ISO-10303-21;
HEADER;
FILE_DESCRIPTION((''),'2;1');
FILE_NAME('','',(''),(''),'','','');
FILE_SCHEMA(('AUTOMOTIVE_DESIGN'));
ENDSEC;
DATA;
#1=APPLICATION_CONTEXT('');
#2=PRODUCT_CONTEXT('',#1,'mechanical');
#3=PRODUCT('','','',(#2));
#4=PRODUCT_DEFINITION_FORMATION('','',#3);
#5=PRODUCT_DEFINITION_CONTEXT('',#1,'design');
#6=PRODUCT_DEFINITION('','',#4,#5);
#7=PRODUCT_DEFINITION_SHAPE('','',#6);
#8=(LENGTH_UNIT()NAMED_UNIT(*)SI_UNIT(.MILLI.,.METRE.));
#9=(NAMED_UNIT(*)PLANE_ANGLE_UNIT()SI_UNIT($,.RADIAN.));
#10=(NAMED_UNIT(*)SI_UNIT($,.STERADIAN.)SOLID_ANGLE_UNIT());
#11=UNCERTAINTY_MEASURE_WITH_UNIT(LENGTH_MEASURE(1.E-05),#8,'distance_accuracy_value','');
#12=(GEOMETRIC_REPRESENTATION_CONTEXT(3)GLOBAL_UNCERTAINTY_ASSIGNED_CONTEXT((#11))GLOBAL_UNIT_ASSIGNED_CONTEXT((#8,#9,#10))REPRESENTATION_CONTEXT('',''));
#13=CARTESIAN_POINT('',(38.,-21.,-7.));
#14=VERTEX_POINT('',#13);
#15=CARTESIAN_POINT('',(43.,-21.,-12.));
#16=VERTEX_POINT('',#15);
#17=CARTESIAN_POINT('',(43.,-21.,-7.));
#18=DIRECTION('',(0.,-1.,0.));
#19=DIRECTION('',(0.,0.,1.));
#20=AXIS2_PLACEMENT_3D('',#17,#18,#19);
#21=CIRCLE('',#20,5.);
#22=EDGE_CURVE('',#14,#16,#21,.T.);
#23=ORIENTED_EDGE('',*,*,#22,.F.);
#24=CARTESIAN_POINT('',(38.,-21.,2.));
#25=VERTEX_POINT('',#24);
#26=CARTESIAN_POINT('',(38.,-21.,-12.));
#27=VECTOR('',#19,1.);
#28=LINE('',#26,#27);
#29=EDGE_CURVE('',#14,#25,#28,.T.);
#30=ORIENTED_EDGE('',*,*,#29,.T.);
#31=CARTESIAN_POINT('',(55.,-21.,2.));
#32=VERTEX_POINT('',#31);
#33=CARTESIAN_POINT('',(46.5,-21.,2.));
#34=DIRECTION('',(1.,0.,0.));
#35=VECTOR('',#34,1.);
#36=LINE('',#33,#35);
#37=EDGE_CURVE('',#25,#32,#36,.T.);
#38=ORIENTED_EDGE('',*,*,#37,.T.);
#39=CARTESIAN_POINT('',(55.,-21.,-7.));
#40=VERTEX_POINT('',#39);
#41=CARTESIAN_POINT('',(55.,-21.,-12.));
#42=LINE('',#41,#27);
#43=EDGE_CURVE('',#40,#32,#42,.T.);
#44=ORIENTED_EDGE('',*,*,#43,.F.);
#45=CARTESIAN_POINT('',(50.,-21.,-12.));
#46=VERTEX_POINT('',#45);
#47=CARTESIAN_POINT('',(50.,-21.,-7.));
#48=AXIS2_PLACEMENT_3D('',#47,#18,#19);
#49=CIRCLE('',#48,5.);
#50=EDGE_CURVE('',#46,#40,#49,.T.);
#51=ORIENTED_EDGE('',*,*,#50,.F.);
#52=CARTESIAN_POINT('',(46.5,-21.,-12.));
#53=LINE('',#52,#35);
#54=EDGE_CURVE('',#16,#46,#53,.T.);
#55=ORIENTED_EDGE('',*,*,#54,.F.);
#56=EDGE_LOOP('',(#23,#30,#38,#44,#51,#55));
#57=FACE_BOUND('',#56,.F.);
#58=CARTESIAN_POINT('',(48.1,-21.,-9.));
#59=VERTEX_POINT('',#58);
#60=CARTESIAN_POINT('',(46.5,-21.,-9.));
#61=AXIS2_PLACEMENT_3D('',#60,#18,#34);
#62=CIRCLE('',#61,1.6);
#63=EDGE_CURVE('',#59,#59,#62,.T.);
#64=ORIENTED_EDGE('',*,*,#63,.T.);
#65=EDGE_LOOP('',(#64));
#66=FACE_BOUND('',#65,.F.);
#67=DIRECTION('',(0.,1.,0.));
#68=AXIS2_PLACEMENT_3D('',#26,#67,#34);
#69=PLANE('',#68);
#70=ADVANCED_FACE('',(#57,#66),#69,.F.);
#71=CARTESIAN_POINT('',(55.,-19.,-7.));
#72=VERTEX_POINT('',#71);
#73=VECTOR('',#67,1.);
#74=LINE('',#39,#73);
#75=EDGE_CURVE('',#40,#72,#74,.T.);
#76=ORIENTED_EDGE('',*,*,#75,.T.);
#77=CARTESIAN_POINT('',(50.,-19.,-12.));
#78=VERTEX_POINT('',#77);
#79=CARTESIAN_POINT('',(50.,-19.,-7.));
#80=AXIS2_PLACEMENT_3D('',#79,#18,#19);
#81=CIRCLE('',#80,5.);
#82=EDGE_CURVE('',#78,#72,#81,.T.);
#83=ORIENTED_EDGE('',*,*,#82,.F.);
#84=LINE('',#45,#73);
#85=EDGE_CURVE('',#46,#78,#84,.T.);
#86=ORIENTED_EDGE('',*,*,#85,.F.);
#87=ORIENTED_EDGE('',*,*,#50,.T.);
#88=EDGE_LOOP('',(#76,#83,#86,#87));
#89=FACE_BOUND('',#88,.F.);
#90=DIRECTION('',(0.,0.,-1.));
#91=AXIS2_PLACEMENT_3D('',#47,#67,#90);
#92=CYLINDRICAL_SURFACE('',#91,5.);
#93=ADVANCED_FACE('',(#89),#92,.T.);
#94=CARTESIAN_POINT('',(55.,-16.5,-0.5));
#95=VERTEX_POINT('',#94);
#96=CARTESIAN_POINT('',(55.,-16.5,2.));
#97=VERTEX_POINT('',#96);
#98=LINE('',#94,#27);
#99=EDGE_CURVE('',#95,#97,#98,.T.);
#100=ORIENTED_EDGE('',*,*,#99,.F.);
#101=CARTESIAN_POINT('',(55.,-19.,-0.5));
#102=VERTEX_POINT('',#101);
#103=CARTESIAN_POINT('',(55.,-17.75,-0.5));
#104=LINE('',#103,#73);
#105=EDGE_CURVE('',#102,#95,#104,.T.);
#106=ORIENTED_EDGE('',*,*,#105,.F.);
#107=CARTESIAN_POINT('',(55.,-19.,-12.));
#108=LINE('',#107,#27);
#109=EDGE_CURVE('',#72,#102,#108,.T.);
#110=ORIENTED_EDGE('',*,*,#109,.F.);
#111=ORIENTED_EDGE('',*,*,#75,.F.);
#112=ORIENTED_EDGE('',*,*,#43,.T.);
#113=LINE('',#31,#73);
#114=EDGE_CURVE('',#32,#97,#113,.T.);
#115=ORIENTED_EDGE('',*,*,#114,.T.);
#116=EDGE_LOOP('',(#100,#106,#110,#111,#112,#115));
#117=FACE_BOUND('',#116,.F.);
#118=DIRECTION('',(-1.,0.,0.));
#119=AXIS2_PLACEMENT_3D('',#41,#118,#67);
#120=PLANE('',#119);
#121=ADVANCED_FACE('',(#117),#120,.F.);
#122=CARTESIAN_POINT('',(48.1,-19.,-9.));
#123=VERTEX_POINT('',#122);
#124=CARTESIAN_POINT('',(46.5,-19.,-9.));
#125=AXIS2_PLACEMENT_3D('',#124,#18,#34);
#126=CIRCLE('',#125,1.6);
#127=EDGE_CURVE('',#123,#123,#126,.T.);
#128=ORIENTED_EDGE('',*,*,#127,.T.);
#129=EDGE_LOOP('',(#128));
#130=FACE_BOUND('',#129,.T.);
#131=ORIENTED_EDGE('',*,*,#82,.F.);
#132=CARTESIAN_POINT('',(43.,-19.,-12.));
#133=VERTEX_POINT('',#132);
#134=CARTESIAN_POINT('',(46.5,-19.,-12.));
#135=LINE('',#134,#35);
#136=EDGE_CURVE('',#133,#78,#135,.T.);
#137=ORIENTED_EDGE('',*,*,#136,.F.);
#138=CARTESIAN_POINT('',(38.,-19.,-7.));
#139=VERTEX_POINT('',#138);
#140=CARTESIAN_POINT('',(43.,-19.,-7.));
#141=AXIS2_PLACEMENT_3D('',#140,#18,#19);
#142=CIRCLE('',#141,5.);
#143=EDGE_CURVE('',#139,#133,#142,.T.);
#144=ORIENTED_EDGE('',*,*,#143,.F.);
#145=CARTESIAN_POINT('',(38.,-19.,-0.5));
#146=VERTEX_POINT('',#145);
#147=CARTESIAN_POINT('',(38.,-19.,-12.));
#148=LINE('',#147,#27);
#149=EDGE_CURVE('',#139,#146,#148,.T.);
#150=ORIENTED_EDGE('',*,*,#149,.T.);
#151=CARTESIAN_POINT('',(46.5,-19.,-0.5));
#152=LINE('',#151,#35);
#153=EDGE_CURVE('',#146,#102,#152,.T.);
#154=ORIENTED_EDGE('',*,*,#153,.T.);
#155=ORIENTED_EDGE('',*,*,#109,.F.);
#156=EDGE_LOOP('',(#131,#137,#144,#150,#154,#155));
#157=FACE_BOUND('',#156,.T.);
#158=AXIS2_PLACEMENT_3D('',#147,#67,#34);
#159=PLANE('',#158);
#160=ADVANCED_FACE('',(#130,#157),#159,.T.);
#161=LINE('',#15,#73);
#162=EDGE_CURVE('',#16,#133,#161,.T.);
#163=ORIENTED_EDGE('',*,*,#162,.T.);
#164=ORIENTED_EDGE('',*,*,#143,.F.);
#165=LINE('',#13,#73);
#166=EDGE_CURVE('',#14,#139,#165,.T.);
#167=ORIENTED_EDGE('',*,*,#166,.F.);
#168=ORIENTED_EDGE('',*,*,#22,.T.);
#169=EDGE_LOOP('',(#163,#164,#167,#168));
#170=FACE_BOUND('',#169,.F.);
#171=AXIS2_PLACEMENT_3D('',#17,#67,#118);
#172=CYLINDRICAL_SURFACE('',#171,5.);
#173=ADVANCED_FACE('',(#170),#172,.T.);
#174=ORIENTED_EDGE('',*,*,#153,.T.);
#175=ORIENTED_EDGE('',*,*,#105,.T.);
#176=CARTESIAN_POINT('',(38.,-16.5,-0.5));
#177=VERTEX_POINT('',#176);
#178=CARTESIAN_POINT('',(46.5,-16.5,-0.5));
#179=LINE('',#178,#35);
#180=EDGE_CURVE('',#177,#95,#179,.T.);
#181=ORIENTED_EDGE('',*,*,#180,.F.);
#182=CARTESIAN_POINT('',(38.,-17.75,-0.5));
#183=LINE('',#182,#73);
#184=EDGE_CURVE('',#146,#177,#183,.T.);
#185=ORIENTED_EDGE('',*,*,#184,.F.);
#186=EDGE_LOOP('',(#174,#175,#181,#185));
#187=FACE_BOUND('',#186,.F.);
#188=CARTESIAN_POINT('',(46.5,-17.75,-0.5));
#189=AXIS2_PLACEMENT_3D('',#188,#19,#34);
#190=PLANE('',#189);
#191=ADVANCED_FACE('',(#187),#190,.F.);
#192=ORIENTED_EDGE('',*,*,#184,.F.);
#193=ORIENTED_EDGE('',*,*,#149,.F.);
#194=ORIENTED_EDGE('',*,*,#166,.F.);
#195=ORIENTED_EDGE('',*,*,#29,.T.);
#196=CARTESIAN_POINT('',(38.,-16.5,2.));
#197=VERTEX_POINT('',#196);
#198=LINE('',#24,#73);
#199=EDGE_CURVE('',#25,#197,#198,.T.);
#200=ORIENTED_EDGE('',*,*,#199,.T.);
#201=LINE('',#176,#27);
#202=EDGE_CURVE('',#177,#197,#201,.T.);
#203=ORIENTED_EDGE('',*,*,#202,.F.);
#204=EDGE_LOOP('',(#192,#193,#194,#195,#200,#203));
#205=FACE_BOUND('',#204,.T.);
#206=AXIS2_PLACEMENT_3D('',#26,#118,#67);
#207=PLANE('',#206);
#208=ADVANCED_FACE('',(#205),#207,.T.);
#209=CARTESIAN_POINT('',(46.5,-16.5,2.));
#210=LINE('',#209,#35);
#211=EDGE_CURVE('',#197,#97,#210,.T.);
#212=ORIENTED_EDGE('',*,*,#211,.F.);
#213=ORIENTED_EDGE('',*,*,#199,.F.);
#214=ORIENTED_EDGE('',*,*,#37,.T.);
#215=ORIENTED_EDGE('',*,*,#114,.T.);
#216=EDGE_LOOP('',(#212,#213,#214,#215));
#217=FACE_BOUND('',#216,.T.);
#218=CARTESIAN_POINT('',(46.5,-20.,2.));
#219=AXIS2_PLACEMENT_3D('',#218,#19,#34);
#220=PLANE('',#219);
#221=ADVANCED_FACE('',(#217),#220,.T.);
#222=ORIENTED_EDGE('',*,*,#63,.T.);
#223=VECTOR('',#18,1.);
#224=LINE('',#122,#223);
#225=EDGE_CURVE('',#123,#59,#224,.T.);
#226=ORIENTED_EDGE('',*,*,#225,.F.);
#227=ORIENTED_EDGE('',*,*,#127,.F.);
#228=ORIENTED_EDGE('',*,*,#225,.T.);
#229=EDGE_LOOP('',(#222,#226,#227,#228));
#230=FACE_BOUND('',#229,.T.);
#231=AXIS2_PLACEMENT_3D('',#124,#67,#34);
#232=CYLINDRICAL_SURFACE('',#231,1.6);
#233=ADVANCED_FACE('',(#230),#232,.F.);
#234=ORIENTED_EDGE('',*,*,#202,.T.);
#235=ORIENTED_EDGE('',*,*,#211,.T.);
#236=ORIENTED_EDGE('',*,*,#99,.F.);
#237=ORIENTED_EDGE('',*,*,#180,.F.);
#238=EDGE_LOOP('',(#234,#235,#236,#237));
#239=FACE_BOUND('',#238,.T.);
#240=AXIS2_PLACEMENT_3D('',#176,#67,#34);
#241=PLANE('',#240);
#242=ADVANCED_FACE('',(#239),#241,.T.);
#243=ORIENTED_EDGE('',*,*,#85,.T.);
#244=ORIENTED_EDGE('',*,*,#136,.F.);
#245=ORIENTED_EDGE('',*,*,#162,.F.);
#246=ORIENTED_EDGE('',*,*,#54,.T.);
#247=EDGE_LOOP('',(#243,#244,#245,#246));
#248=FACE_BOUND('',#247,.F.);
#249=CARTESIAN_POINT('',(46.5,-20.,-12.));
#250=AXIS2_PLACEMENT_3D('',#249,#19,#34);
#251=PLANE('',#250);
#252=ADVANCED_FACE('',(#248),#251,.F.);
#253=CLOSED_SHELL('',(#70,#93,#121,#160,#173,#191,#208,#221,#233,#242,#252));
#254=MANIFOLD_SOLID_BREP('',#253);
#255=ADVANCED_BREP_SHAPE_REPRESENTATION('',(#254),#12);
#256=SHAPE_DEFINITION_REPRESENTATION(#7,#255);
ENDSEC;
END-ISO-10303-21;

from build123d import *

# Parameters (mm, degrees)
CYLINDER074_R     = 1.6
CYLINDER074_DEPTH = 2
BOX188_W          = 17
BOX188_H          = 2
BOX188_DEPTH      = 14
FILLET042_R       = 5
BOX187_W          = 17
BOX187_H          = 2.5
BOX187_DEPTH      = 2.5


with BuildPart() as cylinder155:
    # Cylinder074 → Cylinder074 (new body)
    with BuildSketch(Plane(origin=(46.5, -19, -9), x_dir=(1, 0, 0), z_dir=(0, -1, 0))):
        Circle(CYLINDER074_R)
    extrude(amount=CYLINDER074_DEPTH)


with BuildPart() as fillet042:
    # Box188 → Box188 (new body)
    with BuildSketch(Plane(origin=(38, -21, -12), x_dir=(1, 0, 0), z_dir=(0, 0, 1))):
        with Locations((8.5, 1)):
            Rectangle(BOX188_W, BOX188_H)
    extrude(amount=BOX188_DEPTH)

    # Cut097: cut Cylinder155
    add(cylinder155.part, mode=Mode.SUBTRACT)

    # Fillet042
    fillet042_edges = [fillet042.edges().sort_by_distance(p)[0] for p in [
        (38, -20, -12),
        (55, -20, -12),
    ]]
    fillet(fillet042_edges, radius=FILLET042_R)


with BuildPart() as fusion059:
    # Box187 → Box187 (new body)
    with BuildSketch(Plane(origin=(38, -19, -0.5), x_dir=(1, 0, 0), z_dir=(0, 0, 1))):
        with Locations((8.5, 1.25)):
            Rectangle(BOX187_W, BOX187_H)
    extrude(amount=BOX187_DEPTH)

    # Fusion059: union Fillet042
    add(fillet042.part)


solid = fusion059.part
